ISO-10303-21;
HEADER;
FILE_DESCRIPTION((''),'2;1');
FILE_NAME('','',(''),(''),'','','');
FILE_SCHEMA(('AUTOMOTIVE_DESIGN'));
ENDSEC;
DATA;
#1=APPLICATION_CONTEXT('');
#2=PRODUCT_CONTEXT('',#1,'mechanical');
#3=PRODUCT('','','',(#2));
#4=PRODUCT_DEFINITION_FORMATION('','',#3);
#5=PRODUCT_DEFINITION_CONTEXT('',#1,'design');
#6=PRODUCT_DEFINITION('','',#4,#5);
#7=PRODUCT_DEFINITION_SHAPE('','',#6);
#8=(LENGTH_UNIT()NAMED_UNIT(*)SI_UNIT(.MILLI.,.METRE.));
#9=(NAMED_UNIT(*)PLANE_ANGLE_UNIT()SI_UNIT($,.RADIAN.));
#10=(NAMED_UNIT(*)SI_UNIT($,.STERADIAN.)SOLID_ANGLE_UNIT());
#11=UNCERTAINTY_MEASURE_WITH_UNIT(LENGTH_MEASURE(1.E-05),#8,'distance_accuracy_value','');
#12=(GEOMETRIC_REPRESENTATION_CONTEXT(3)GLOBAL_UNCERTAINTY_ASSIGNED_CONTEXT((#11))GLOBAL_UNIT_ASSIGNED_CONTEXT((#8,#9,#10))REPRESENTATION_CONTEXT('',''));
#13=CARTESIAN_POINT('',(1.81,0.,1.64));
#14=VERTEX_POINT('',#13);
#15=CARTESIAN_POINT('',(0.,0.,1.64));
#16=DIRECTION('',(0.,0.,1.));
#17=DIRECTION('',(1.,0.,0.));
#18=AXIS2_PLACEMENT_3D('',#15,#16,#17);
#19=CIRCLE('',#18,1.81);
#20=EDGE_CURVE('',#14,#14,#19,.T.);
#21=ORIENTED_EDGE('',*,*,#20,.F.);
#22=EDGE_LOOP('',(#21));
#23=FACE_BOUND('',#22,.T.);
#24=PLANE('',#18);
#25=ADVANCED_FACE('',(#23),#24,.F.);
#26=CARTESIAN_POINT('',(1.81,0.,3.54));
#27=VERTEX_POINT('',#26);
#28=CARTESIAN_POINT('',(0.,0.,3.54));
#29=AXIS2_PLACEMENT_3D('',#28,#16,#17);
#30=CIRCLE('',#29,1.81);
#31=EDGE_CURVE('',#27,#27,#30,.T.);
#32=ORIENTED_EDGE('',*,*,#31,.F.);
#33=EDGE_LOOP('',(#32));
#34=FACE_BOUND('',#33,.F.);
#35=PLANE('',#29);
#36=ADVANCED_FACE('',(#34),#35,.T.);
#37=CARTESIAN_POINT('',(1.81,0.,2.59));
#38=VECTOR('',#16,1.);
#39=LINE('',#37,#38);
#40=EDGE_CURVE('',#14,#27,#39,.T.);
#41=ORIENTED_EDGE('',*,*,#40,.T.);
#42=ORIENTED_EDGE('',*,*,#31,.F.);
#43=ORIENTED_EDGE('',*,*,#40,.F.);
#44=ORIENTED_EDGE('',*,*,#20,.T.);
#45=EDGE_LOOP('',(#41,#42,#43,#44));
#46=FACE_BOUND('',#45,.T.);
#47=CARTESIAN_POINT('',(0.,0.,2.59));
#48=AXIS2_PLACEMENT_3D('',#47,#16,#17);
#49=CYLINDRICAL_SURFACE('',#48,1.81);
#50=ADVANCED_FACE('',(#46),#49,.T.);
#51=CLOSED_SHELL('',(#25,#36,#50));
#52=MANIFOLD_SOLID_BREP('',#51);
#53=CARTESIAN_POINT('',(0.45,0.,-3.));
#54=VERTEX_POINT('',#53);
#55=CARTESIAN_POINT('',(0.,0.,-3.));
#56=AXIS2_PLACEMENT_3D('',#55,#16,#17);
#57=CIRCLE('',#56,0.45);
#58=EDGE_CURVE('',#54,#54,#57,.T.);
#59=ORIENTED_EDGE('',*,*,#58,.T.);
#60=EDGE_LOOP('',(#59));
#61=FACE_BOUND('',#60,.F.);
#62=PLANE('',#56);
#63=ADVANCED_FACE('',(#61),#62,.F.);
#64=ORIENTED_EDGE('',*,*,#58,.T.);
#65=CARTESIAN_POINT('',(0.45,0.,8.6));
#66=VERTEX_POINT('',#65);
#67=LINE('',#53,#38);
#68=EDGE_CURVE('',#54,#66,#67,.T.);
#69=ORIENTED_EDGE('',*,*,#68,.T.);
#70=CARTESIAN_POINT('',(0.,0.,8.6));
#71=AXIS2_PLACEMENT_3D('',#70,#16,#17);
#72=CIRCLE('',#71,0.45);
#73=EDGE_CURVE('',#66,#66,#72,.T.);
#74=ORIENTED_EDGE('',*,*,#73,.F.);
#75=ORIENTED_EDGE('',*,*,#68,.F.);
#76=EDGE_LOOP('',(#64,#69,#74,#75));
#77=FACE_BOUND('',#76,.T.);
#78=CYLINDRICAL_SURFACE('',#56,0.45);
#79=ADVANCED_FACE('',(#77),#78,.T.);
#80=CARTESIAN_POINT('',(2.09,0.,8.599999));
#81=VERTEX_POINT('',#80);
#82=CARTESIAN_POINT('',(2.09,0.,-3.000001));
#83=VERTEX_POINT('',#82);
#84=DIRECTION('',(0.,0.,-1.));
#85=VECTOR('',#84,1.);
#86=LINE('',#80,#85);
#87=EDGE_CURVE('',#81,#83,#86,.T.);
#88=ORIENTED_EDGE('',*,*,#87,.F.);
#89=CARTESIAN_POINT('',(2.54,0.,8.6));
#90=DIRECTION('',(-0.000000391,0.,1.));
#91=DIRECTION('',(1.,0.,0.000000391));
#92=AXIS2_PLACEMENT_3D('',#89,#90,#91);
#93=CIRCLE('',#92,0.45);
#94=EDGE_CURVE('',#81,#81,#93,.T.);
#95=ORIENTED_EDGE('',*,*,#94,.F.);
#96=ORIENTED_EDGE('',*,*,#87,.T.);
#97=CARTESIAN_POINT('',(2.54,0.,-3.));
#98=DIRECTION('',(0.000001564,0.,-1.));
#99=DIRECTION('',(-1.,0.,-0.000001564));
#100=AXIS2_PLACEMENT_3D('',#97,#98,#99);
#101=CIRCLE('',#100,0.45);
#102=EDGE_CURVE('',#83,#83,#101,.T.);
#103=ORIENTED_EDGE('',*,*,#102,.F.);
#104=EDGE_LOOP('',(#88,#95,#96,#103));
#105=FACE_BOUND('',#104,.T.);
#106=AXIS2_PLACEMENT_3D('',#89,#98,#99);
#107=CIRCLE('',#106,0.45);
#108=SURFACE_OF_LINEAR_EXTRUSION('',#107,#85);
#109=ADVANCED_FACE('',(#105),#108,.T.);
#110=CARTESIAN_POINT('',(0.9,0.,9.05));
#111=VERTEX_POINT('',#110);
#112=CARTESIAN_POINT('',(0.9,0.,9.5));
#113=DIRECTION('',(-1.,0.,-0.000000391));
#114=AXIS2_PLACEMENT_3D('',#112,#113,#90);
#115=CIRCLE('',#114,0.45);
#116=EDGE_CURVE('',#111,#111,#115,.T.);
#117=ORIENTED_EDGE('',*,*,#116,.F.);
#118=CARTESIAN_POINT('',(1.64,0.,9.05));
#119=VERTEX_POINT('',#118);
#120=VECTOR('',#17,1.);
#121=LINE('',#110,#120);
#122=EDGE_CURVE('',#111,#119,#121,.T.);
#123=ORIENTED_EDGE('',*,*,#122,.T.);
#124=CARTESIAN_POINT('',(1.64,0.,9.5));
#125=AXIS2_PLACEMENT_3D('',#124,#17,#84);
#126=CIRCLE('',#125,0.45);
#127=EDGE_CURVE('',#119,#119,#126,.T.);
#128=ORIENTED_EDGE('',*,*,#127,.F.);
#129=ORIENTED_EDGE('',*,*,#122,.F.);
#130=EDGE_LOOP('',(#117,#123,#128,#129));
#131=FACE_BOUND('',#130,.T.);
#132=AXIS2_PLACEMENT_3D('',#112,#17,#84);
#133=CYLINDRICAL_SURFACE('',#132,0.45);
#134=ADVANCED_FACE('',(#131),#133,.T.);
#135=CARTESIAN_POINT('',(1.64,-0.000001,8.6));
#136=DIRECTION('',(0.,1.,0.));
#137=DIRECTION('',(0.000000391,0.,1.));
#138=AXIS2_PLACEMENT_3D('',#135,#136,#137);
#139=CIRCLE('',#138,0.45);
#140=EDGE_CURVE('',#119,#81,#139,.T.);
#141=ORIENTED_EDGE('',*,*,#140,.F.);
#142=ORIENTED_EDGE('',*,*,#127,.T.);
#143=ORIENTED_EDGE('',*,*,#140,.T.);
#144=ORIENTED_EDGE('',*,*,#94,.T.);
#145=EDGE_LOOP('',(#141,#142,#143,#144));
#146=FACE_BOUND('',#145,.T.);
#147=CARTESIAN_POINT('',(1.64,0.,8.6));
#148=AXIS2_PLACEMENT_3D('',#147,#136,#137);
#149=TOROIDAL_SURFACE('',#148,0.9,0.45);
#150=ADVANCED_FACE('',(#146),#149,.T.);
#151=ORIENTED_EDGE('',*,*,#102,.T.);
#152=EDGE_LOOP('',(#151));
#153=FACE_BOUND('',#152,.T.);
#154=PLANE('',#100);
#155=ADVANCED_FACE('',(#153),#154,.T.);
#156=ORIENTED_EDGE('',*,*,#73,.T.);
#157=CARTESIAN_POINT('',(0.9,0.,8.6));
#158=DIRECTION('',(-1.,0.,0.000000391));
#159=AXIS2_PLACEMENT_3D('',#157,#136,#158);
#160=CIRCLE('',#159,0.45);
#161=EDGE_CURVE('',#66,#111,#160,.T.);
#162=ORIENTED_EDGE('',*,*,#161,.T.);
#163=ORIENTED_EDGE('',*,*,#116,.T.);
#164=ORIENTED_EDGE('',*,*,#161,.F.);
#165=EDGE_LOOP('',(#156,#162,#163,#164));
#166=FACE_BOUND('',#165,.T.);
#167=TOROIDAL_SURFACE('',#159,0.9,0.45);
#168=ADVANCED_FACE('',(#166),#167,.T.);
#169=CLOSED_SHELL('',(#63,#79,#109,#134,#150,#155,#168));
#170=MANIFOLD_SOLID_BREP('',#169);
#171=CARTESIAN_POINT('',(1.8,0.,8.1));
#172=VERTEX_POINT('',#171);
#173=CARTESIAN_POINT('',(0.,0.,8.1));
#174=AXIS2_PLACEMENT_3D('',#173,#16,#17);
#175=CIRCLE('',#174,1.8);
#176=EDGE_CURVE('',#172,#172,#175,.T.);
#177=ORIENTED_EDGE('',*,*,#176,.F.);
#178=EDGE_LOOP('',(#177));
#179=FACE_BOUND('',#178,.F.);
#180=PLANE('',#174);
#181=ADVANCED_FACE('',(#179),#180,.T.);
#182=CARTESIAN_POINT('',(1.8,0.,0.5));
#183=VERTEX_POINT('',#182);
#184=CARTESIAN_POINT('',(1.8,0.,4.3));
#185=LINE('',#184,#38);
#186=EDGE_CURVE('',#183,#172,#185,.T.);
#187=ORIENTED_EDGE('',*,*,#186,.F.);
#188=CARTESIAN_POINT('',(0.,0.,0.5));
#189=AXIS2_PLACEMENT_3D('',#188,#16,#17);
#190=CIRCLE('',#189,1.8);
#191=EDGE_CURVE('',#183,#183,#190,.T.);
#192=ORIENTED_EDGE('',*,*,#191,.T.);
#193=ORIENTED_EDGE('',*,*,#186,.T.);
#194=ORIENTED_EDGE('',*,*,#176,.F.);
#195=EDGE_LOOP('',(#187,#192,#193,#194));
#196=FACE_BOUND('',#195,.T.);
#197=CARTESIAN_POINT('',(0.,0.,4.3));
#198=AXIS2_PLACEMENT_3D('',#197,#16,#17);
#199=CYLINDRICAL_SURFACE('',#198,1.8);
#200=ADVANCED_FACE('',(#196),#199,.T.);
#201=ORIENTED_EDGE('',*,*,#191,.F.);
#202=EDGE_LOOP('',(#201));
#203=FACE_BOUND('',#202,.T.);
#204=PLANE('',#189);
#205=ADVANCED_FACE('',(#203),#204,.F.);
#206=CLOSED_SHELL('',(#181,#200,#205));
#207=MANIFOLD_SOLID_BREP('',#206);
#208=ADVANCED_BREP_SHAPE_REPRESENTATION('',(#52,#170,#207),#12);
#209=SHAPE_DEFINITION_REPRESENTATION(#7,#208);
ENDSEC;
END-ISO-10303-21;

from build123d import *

# Parameters (mm, degrees)
SKETCH001_R = 0.45
SKETCH002_W = 1.8
SKETCH002_H = 7.6
SKETCH003_W = 1.81
SKETCH003_H = 1.9


with BuildPart() as sweep_body:
    # Sweep: sweep along a path in Sketch
    with BuildLine(Plane.XZ) as sweep_path:
        Line((0, -3), (0, 8.6))
        ThreePointArc((0, 8.6), (0.263604, 9.236396), (0.9, 9.5))
        Line((0.9, 9.5), (1.64, 9.5))
        ThreePointArc((1.64, 9.5), (2.276396, 9.236396), (2.54, 8.6))
        Line((2.54, 8.6), (2.54, -3))
    # Sketch001 → Sweep (sweep)
    with BuildSketch(Plane.XY):
        Circle(SKETCH001_R)
    sweep(path=sweep_path.line)


with BuildPart() as revolution:
    # Sketch002 → Revolution (revolve)
    with BuildSketch(Plane.XZ):
        with Locations((0.9, 4.3)):
            Rectangle(SKETCH002_W, SKETCH002_H)
    revolve(axis=Axis((0, 0, 0.5), (0, 0, 1)))


with BuildPart() as revolution001:
    # Sketch003 → Revolution001 (revolve)
    with BuildSketch(Plane.XZ):
        with Locations((0.905, 2.59)):
            Rectangle(SKETCH003_W, SKETCH003_H)
    revolve(axis=Axis((0, 0, 0), (0, 0, 1)))


solid = Compound([sweep_body.part, revolution.part, revolution001.part])
